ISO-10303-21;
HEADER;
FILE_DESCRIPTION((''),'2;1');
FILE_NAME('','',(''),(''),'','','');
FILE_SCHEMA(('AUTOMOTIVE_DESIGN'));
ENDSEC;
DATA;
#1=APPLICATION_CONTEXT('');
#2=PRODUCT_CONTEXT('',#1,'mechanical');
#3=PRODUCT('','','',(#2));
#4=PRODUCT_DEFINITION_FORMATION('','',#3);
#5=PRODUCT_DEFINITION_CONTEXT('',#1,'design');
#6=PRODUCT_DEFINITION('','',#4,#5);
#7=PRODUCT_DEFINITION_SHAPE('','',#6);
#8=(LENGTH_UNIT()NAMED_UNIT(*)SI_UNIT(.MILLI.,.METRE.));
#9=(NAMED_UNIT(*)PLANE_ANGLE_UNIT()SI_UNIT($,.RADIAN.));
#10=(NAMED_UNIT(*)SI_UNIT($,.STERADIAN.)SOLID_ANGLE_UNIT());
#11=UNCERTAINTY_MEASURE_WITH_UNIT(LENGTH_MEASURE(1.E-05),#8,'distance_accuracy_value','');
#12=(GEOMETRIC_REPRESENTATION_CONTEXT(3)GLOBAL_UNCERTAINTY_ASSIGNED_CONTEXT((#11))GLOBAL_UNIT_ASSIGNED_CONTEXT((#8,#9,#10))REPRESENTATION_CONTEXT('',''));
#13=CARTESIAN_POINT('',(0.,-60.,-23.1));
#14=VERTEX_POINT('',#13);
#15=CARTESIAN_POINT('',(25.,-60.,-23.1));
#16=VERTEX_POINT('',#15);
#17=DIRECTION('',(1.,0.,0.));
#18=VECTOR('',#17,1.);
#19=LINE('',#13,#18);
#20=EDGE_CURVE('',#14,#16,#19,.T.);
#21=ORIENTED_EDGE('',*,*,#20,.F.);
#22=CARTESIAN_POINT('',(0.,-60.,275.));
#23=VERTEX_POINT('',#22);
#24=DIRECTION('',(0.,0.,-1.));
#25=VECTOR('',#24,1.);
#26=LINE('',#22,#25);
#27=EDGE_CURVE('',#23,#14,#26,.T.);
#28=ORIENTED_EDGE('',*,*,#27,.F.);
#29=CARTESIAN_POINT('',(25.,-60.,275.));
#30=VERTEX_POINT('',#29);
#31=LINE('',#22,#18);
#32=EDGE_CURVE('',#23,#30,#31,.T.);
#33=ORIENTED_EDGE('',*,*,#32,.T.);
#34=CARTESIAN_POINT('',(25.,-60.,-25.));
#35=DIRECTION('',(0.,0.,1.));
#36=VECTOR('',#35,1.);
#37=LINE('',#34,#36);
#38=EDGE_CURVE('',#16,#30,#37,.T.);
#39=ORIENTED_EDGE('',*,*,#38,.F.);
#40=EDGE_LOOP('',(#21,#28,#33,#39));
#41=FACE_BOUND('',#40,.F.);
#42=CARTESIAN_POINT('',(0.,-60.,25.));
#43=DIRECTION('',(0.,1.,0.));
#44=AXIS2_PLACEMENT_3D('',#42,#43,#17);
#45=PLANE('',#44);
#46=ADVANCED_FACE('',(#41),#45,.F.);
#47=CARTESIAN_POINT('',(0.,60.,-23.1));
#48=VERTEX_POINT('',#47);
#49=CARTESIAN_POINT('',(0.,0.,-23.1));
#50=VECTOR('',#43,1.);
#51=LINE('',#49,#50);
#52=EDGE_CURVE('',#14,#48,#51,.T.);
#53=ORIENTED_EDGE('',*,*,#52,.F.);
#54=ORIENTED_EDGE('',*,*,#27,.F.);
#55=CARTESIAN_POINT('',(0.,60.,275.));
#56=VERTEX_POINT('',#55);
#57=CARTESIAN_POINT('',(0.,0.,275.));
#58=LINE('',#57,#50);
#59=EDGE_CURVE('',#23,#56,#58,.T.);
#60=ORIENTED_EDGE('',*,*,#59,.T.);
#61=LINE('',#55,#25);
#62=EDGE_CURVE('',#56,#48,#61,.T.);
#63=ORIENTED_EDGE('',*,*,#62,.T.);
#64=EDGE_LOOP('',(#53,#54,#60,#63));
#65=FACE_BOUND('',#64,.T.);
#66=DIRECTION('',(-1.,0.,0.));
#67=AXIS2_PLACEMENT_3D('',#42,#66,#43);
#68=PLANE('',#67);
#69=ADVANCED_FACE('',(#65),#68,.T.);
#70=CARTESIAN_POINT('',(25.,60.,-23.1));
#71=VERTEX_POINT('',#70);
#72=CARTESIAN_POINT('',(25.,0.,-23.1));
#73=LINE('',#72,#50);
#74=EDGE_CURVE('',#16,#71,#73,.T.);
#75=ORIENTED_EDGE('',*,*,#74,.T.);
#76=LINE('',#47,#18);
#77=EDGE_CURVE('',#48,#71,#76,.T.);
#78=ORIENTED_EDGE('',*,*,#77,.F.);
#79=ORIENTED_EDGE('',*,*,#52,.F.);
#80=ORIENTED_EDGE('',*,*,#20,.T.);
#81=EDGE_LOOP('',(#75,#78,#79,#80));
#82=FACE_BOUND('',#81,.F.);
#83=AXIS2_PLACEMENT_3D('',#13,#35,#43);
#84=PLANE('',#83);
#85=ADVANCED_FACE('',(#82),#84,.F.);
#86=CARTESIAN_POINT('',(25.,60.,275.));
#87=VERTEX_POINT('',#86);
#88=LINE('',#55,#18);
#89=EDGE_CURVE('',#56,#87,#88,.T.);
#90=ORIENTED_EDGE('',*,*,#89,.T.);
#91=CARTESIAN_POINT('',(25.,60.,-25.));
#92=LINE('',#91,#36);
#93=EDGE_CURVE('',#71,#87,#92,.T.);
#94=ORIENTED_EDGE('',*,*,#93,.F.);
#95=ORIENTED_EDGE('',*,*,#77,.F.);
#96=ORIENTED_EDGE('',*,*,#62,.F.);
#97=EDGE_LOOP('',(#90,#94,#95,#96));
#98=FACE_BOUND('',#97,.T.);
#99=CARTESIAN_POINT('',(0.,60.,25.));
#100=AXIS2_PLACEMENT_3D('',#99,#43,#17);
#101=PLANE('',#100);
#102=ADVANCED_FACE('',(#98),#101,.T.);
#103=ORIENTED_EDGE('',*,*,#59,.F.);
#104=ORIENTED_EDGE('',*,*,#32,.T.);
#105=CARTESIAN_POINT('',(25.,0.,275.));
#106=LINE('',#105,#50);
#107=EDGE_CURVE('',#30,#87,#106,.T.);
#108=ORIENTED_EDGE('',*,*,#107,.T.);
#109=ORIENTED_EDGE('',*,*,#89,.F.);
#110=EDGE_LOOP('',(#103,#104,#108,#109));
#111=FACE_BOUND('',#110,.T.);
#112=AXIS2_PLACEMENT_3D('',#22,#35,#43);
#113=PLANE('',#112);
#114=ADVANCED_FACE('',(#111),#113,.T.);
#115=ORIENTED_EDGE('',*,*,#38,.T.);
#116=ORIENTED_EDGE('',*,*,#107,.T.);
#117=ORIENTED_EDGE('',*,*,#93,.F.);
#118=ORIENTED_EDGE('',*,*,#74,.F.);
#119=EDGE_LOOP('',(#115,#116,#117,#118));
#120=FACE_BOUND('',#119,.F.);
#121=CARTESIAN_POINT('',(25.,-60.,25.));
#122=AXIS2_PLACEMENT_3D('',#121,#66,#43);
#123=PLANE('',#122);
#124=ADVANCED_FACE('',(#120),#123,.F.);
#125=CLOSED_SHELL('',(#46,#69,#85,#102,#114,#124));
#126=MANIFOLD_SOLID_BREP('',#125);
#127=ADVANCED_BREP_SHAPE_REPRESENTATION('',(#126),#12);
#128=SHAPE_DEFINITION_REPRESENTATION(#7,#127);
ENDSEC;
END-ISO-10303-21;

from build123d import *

# Parameters (mm, degrees)
F0_W     = 120
F0_H     = 50
F1_DEPTH = 25
F2_DEPTH = 250
F3_DEPTH = 1.9


with BuildPart() as f1:
    # F0 (on Right) → F1 (new body)
    with BuildSketch(Plane.YZ):
        Rectangle(F0_W, F0_H)
    extrude(amount=F1_DEPTH)

    # F2 (add): a face of the model
    f2_faces = [f1.faces().sort_by_distance(p)[0] for p in [
        (12.5, 0, 25),
    ]]
    extrude(f2_faces, amount=F2_DEPTH)

    # F3 (cut): a face of the model
    f3_faces = [f1.faces().sort_by_distance(p)[0] for p in [
        (12.5, 0, -25),
    ]]
    extrude(f3_faces, amount=-F3_DEPTH, mode=Mode.SUBTRACT)


solid = f1.part
